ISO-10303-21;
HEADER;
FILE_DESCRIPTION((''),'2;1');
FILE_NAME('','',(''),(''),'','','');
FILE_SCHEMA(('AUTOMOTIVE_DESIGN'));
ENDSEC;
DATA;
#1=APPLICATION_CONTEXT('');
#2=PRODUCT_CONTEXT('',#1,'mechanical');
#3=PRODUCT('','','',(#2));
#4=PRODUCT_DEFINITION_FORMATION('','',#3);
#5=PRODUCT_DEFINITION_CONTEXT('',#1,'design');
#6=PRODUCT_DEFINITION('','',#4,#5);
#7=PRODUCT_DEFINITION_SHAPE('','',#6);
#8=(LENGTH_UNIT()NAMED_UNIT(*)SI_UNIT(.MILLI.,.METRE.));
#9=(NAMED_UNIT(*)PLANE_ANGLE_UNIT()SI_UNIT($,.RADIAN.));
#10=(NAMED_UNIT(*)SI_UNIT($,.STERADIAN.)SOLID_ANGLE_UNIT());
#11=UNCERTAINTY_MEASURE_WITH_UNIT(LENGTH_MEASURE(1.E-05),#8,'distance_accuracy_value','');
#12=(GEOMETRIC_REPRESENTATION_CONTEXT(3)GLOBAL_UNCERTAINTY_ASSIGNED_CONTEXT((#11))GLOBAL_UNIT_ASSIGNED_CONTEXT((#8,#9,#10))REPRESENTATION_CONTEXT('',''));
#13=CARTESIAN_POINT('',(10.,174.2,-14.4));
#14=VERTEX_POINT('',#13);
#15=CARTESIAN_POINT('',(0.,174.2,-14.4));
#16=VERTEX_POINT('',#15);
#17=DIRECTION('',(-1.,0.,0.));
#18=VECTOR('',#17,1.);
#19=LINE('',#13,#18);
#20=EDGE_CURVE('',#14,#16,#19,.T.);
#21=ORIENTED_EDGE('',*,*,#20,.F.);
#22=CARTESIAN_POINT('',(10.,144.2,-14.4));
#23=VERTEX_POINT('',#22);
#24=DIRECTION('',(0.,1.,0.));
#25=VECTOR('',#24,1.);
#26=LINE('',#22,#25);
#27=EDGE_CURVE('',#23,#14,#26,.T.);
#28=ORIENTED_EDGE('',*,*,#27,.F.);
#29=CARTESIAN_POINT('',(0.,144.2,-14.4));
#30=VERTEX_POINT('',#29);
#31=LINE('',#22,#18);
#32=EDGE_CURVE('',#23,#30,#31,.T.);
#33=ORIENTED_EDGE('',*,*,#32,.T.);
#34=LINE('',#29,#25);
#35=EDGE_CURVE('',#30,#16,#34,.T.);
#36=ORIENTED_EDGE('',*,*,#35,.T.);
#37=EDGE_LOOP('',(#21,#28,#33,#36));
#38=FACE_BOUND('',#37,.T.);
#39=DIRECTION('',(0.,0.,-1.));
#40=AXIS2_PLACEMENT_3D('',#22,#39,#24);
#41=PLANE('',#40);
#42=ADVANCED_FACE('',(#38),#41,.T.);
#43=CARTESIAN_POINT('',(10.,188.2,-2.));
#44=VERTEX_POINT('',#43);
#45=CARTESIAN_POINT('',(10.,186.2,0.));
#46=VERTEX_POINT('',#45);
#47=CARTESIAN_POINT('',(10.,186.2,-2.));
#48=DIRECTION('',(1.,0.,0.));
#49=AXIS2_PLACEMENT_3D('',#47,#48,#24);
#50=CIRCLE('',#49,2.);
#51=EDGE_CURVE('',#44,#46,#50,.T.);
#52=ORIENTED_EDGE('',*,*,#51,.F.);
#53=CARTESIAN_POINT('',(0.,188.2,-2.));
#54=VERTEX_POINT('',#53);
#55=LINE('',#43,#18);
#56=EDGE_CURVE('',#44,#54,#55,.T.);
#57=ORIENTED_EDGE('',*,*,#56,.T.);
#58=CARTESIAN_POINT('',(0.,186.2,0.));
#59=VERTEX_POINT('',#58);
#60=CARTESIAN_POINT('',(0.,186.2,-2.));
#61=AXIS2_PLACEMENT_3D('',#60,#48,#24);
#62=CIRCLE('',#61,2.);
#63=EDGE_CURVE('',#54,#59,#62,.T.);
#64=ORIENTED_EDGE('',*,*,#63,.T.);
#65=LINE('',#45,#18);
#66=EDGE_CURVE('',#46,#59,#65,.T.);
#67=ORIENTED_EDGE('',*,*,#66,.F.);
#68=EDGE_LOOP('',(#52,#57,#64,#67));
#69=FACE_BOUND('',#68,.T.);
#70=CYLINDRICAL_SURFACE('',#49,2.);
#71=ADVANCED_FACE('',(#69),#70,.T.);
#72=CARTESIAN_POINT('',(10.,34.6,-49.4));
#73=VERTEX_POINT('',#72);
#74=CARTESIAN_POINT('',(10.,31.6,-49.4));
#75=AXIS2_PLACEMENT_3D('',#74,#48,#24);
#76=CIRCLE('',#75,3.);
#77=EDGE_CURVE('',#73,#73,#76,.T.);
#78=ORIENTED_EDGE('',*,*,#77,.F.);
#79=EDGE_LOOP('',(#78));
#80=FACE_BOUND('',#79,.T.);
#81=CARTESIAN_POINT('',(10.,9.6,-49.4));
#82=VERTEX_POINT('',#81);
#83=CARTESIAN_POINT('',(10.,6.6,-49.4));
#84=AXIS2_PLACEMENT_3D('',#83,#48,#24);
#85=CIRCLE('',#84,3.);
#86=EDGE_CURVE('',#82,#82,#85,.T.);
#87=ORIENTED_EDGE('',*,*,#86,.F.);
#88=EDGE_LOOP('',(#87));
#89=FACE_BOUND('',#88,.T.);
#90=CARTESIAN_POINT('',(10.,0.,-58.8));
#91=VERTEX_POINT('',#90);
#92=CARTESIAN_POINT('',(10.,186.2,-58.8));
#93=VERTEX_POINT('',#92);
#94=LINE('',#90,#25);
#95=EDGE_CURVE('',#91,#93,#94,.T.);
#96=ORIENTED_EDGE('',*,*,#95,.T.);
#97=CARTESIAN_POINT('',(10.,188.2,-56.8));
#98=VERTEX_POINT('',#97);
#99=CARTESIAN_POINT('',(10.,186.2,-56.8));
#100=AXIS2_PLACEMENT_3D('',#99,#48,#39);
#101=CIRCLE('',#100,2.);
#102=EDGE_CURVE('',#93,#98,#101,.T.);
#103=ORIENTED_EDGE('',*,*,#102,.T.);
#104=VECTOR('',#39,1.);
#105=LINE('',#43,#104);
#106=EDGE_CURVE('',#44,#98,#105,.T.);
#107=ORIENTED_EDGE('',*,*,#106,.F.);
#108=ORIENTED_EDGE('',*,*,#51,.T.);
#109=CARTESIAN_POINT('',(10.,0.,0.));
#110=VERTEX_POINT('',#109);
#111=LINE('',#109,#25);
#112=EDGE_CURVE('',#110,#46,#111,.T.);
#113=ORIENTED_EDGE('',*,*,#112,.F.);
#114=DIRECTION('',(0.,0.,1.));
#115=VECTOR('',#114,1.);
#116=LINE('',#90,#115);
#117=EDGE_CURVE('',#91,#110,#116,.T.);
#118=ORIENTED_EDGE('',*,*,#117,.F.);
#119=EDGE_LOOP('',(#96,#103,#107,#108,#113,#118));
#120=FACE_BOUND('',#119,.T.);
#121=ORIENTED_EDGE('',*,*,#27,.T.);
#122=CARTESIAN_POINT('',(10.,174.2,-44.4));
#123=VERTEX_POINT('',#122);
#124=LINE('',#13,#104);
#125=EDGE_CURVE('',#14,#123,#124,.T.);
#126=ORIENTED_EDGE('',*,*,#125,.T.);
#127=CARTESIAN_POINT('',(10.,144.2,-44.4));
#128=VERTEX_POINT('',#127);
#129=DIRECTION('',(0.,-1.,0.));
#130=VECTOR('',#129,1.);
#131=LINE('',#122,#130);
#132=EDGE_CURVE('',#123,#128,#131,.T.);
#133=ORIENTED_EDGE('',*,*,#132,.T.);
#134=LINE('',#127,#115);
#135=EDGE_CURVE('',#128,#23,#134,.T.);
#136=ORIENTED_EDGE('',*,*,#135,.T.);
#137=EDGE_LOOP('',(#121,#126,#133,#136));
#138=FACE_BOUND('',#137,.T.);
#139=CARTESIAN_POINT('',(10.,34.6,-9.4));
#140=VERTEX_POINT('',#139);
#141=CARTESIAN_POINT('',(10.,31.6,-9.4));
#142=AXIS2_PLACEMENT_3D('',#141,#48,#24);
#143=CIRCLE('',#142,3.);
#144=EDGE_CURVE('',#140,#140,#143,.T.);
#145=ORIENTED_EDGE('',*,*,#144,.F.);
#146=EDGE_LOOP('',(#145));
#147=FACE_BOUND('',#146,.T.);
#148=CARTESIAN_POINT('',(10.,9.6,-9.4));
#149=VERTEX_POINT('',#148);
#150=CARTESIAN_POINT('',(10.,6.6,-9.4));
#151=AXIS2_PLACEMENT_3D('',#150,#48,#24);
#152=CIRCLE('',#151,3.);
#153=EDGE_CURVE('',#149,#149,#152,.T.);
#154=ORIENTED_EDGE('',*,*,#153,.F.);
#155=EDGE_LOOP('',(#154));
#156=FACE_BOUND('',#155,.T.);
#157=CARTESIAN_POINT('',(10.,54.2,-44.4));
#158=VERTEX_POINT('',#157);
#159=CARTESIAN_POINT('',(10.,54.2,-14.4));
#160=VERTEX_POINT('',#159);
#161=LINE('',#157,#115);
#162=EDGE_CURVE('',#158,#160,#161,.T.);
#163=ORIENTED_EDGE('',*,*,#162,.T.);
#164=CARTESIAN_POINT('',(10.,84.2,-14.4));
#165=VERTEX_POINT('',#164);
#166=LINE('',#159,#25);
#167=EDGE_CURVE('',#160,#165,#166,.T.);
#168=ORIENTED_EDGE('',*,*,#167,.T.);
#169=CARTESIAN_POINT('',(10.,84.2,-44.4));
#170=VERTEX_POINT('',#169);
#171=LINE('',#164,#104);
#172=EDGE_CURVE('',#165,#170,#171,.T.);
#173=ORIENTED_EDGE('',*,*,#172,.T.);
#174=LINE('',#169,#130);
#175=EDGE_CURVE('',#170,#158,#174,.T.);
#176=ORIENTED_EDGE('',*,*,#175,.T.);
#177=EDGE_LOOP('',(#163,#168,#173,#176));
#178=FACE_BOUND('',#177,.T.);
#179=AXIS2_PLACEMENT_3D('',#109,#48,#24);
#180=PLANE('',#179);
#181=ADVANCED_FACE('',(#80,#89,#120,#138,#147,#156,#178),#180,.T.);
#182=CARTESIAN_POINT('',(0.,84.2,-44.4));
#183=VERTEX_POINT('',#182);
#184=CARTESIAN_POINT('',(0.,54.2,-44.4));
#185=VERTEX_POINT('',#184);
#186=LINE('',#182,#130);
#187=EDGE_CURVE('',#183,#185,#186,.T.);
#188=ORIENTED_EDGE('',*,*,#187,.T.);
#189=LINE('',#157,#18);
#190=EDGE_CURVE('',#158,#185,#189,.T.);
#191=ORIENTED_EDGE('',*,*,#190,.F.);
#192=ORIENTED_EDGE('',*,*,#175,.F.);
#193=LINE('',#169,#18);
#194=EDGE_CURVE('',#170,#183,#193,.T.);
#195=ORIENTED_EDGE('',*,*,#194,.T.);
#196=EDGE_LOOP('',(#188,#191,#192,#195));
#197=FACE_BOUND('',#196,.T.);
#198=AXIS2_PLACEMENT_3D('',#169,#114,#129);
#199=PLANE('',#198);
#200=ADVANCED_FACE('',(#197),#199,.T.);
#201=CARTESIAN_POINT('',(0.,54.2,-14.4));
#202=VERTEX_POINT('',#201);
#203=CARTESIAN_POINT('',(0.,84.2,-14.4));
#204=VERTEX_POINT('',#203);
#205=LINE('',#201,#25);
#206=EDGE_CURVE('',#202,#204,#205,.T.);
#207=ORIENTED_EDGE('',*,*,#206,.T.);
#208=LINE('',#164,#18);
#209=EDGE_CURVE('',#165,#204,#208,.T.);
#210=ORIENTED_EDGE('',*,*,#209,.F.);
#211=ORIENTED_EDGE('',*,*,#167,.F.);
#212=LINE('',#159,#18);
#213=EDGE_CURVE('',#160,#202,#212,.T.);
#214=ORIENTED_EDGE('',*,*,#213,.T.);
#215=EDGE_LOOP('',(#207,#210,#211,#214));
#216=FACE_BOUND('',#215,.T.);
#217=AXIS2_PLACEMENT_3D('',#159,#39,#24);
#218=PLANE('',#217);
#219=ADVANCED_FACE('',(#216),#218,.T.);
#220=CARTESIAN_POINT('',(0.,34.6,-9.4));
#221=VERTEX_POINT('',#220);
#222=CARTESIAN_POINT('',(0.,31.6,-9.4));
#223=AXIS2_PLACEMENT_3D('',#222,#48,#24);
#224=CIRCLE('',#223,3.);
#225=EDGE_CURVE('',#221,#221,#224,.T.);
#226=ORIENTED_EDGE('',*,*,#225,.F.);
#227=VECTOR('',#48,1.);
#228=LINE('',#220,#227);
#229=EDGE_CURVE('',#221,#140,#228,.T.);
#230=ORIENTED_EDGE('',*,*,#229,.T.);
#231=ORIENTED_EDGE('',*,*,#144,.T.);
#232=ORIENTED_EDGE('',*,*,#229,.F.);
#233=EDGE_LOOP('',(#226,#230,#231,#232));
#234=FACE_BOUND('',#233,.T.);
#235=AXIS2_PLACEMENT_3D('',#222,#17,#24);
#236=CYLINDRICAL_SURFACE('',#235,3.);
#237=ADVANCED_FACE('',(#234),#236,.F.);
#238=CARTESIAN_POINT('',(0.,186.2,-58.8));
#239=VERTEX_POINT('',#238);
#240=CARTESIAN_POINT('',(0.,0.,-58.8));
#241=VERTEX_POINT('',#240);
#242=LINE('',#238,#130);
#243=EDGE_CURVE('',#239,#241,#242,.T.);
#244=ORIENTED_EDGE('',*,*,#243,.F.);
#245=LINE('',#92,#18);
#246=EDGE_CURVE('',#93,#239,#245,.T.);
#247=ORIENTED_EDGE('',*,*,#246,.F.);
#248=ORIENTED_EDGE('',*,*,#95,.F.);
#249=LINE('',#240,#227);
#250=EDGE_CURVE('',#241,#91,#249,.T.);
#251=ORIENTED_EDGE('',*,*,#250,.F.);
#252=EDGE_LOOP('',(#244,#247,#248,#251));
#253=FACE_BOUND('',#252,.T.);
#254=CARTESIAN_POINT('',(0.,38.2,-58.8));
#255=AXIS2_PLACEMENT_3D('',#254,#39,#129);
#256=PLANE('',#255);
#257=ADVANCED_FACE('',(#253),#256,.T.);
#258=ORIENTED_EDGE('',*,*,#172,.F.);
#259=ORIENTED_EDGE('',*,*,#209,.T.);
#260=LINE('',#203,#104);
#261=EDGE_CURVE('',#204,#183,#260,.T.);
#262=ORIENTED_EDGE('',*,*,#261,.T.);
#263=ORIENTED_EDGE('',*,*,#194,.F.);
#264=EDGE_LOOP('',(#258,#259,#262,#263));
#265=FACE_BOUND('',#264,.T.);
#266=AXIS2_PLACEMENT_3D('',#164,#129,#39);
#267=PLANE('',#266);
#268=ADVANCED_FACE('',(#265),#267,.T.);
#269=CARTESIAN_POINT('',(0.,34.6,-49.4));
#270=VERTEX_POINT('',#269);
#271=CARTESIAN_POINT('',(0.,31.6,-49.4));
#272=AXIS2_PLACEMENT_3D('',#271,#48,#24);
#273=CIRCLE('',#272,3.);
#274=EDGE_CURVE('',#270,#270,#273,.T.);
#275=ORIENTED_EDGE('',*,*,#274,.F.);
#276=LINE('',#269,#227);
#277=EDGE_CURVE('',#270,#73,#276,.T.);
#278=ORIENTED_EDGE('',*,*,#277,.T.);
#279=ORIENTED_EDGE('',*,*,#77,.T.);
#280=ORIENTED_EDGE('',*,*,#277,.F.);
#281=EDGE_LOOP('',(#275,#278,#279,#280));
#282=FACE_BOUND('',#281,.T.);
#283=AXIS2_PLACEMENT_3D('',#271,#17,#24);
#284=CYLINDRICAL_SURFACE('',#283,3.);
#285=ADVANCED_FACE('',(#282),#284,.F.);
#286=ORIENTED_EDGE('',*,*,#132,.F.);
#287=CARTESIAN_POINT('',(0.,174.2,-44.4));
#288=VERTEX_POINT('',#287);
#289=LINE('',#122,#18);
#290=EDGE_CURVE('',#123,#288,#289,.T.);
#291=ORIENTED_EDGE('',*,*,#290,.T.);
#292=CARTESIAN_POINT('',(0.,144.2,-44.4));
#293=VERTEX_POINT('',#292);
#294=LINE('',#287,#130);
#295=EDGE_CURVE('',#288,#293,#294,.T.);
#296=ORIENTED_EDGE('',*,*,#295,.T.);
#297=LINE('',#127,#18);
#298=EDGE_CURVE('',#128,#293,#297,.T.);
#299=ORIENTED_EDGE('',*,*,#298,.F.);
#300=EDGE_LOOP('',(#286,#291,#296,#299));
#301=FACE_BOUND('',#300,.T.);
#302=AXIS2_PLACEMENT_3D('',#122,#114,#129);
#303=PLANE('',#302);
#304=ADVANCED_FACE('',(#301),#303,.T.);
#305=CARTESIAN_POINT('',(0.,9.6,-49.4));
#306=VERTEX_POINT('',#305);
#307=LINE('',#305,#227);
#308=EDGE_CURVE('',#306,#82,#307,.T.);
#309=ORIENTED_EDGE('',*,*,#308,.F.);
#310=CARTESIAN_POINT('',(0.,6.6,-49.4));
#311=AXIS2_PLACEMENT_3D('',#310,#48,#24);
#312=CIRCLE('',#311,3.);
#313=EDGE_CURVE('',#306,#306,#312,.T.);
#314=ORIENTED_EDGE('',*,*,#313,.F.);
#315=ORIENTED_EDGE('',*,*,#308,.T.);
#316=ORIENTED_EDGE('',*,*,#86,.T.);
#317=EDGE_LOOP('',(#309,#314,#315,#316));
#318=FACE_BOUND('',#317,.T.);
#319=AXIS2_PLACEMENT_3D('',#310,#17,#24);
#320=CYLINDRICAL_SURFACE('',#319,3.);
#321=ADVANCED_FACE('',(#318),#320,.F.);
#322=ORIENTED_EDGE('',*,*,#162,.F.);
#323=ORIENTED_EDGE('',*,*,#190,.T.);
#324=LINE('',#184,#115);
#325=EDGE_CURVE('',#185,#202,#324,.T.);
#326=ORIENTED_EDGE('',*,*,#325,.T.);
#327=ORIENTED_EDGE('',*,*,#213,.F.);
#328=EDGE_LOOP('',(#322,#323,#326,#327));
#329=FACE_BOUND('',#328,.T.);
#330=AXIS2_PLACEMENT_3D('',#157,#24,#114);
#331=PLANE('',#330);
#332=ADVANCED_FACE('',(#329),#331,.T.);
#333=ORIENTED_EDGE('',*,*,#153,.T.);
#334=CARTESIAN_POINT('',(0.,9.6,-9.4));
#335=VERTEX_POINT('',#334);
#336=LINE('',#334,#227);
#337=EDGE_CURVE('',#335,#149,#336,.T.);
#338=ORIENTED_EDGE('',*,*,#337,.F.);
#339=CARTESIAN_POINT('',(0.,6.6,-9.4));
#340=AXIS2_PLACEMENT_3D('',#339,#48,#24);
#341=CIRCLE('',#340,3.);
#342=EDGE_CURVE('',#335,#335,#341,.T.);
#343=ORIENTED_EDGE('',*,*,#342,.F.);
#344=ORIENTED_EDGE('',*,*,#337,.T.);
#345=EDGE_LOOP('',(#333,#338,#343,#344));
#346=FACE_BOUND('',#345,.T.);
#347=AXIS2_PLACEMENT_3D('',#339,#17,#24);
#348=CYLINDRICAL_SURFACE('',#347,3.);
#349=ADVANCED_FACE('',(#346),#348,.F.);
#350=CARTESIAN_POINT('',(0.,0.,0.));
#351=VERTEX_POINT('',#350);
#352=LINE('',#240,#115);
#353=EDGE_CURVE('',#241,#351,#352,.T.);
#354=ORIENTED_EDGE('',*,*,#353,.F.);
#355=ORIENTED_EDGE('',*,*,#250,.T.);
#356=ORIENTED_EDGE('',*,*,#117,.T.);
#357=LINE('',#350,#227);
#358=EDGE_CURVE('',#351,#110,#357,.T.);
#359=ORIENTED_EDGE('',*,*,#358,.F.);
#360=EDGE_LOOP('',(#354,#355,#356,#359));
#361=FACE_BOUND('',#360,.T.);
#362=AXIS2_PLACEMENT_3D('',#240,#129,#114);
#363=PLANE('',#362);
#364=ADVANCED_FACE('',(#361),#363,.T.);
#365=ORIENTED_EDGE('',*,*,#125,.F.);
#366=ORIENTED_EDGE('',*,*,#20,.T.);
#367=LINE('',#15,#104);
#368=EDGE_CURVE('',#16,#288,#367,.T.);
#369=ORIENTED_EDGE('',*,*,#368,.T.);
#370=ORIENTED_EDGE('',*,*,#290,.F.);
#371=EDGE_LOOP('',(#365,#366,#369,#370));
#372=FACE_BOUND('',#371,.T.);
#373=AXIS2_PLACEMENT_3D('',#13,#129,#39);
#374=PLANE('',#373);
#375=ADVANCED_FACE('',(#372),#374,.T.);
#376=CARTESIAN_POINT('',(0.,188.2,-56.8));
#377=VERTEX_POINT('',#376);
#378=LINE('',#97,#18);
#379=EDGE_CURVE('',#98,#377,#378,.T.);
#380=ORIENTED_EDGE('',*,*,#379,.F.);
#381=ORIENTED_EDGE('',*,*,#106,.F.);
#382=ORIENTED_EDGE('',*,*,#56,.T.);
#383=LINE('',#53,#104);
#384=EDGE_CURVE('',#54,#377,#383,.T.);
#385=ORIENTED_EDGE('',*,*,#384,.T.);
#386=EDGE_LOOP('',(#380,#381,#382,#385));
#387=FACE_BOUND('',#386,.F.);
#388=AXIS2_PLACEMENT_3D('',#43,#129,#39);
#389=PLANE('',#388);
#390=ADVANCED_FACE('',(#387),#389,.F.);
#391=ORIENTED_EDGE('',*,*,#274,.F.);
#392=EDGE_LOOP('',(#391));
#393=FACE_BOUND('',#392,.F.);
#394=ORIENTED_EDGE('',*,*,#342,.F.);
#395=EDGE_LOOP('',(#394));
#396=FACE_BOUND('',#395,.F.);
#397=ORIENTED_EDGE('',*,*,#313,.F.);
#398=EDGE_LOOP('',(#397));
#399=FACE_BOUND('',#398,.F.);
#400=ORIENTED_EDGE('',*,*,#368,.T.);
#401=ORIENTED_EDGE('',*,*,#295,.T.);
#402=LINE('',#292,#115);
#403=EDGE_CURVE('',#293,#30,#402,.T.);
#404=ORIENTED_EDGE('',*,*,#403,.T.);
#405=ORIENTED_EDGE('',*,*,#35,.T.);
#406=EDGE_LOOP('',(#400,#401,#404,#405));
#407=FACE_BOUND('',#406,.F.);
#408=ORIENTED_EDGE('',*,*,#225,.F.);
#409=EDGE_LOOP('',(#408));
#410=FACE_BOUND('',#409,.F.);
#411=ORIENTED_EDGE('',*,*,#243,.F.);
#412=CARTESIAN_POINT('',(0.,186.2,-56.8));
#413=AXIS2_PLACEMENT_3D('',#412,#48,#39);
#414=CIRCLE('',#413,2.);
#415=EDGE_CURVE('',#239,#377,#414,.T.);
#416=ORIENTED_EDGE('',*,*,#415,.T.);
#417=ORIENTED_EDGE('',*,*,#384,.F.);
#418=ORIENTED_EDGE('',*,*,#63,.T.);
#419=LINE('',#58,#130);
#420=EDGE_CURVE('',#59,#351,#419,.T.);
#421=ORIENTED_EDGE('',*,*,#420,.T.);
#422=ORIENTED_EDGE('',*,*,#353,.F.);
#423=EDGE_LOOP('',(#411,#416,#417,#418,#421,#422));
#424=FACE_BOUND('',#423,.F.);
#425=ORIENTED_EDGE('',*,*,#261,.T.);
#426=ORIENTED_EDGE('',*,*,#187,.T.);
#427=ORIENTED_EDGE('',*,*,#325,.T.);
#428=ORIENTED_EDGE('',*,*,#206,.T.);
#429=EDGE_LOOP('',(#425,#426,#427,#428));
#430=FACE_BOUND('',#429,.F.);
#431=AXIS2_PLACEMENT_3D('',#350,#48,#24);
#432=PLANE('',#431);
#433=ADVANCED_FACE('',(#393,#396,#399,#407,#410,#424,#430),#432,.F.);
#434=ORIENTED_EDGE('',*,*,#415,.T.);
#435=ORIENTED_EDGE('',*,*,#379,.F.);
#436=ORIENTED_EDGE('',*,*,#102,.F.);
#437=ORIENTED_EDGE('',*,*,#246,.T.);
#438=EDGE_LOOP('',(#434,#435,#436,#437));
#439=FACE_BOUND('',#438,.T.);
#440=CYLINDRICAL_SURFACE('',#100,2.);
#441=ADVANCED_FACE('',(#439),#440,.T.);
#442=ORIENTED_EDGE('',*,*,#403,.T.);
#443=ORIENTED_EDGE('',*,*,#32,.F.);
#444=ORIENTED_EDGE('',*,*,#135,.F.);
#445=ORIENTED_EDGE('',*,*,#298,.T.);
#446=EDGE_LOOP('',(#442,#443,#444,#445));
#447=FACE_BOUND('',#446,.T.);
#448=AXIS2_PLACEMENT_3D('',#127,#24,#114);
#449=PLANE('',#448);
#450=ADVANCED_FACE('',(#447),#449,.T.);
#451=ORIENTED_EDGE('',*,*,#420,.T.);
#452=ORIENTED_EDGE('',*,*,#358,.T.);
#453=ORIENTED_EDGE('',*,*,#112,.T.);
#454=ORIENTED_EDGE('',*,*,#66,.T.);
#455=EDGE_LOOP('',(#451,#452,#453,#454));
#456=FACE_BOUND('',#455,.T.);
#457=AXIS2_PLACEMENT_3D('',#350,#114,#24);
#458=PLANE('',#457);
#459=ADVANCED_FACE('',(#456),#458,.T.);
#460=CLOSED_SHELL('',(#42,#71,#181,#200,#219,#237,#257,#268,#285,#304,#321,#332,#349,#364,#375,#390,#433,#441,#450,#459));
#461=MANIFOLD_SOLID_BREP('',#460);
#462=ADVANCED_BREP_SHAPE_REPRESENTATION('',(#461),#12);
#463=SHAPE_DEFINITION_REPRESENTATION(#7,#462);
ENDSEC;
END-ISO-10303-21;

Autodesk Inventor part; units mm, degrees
ref_plane "YZ Plane" through (0, 0, 0) normal (1, 0, 0) x (0, 1, 0)
ref_plane "XZ Plane" through (0, 0, 0) normal (0, 1, 0) x (-1, 0, 0)
ref_plane "XY Plane" through (0, 0, 0) normal (0, 0, 1) x (1, 0, 0)
sketch "Sketch1" plane through (0, 0, 0) normal (1, 0, 0) x (0, 1, 0)
  circle A0 centre (31.6, -9.4) radius 3
  circle A1 centre (31.6, -49.4) radius 3
  circle A2 centre (6.6, -9.4) radius 3
  circle A3 centre (6.6, -49.4) radius 3
  line L0 (31.6, -9.4) -> (6.6, -9.4) construction
  line L1 (6.6, -9.4) -> (6.6, -49.4) construction
  line L2 (6.6, -49.4) -> (31.6, -49.4) construction
  line L3 (31.6, -49.4) -> (31.6, -9.4) construction
  line L4 (0, 0) -> (38.2, 0)
  line L5 (38.2, 0) -> (38.2, -58.8)
  line L6 (38.2, -58.8) -> (0, -58.8)
  line L7 (0, -58.8) -> (0, 0)
  point P0 (31.6, -29.4)
  point P1 (38.2, -29.4)
  point P2 (19.1, -49.4)
  point P3 (19.1, -58.8)
  dimension "d0" = 6
  dimension "d1" = 25
  dimension "d2" = 40
  dimension "d3" = 58.8
  dimension "d4" = 38.2
extrude "Extrusion1" add sketch "Sketch1" along normal blind 10
sketch "Sketch3" plane through (10, 0, 0) normal (1, 0, 0) x (0, 0, -1)
  line L0 (58.8, 38.2) -> (0, 38.2) projected
  line L1 (0, 38.2) -> (0, 186.2)
  line L2 (2, 188.2) -> (56.8, 188.2)
  line L3 (58.8, 186.2) -> (58.8, 38.2)
  arc A0 (2, 188.2) -> (0, 186.2) centre (2, 186.2) ccw
  arc A1 (58.8, 186.2) -> (56.8, 188.2) centre (56.8, 186.2) ccw
  line L4 (14.4, 174.2) -> (44.4, 174.2)
  line L5 (44.4, 174.2) -> (44.4, 144.2)
  line L6 (44.4, 144.2) -> (14.4, 144.2)
  line L7 (14.4, 144.2) -> (14.4, 174.2)
  line L8 (14.4, 84.2) -> (44.4, 84.2)
  line L9 (44.4, 84.2) -> (44.4, 54.2)
  line L10 (44.4, 54.2) -> (14.4, 54.2)
  line L11 (14.4, 54.2) -> (14.4, 84.2)
  point P0 (0, 0)
  point P1 (29.4, 38.2)
  point P2 (29.4, 174.2)
  point P3 (29.4, 84.2)
  point P4 (29.4, 188.2)
  point P5 (29.4, 38.2)
  point P6 (29.4, 54.2)
  point P7 (29.4, 38.2)
  dimension "d7" = 150
  dimension "d8" = 2
  dimension "d9" = 30
  dimension "d12" = 60
  dimension "d13" = 16
extrude "Extrusion2" add sketch "Sketch3" against normal blind 10
properties part number "Y_Gantry_Connector"
